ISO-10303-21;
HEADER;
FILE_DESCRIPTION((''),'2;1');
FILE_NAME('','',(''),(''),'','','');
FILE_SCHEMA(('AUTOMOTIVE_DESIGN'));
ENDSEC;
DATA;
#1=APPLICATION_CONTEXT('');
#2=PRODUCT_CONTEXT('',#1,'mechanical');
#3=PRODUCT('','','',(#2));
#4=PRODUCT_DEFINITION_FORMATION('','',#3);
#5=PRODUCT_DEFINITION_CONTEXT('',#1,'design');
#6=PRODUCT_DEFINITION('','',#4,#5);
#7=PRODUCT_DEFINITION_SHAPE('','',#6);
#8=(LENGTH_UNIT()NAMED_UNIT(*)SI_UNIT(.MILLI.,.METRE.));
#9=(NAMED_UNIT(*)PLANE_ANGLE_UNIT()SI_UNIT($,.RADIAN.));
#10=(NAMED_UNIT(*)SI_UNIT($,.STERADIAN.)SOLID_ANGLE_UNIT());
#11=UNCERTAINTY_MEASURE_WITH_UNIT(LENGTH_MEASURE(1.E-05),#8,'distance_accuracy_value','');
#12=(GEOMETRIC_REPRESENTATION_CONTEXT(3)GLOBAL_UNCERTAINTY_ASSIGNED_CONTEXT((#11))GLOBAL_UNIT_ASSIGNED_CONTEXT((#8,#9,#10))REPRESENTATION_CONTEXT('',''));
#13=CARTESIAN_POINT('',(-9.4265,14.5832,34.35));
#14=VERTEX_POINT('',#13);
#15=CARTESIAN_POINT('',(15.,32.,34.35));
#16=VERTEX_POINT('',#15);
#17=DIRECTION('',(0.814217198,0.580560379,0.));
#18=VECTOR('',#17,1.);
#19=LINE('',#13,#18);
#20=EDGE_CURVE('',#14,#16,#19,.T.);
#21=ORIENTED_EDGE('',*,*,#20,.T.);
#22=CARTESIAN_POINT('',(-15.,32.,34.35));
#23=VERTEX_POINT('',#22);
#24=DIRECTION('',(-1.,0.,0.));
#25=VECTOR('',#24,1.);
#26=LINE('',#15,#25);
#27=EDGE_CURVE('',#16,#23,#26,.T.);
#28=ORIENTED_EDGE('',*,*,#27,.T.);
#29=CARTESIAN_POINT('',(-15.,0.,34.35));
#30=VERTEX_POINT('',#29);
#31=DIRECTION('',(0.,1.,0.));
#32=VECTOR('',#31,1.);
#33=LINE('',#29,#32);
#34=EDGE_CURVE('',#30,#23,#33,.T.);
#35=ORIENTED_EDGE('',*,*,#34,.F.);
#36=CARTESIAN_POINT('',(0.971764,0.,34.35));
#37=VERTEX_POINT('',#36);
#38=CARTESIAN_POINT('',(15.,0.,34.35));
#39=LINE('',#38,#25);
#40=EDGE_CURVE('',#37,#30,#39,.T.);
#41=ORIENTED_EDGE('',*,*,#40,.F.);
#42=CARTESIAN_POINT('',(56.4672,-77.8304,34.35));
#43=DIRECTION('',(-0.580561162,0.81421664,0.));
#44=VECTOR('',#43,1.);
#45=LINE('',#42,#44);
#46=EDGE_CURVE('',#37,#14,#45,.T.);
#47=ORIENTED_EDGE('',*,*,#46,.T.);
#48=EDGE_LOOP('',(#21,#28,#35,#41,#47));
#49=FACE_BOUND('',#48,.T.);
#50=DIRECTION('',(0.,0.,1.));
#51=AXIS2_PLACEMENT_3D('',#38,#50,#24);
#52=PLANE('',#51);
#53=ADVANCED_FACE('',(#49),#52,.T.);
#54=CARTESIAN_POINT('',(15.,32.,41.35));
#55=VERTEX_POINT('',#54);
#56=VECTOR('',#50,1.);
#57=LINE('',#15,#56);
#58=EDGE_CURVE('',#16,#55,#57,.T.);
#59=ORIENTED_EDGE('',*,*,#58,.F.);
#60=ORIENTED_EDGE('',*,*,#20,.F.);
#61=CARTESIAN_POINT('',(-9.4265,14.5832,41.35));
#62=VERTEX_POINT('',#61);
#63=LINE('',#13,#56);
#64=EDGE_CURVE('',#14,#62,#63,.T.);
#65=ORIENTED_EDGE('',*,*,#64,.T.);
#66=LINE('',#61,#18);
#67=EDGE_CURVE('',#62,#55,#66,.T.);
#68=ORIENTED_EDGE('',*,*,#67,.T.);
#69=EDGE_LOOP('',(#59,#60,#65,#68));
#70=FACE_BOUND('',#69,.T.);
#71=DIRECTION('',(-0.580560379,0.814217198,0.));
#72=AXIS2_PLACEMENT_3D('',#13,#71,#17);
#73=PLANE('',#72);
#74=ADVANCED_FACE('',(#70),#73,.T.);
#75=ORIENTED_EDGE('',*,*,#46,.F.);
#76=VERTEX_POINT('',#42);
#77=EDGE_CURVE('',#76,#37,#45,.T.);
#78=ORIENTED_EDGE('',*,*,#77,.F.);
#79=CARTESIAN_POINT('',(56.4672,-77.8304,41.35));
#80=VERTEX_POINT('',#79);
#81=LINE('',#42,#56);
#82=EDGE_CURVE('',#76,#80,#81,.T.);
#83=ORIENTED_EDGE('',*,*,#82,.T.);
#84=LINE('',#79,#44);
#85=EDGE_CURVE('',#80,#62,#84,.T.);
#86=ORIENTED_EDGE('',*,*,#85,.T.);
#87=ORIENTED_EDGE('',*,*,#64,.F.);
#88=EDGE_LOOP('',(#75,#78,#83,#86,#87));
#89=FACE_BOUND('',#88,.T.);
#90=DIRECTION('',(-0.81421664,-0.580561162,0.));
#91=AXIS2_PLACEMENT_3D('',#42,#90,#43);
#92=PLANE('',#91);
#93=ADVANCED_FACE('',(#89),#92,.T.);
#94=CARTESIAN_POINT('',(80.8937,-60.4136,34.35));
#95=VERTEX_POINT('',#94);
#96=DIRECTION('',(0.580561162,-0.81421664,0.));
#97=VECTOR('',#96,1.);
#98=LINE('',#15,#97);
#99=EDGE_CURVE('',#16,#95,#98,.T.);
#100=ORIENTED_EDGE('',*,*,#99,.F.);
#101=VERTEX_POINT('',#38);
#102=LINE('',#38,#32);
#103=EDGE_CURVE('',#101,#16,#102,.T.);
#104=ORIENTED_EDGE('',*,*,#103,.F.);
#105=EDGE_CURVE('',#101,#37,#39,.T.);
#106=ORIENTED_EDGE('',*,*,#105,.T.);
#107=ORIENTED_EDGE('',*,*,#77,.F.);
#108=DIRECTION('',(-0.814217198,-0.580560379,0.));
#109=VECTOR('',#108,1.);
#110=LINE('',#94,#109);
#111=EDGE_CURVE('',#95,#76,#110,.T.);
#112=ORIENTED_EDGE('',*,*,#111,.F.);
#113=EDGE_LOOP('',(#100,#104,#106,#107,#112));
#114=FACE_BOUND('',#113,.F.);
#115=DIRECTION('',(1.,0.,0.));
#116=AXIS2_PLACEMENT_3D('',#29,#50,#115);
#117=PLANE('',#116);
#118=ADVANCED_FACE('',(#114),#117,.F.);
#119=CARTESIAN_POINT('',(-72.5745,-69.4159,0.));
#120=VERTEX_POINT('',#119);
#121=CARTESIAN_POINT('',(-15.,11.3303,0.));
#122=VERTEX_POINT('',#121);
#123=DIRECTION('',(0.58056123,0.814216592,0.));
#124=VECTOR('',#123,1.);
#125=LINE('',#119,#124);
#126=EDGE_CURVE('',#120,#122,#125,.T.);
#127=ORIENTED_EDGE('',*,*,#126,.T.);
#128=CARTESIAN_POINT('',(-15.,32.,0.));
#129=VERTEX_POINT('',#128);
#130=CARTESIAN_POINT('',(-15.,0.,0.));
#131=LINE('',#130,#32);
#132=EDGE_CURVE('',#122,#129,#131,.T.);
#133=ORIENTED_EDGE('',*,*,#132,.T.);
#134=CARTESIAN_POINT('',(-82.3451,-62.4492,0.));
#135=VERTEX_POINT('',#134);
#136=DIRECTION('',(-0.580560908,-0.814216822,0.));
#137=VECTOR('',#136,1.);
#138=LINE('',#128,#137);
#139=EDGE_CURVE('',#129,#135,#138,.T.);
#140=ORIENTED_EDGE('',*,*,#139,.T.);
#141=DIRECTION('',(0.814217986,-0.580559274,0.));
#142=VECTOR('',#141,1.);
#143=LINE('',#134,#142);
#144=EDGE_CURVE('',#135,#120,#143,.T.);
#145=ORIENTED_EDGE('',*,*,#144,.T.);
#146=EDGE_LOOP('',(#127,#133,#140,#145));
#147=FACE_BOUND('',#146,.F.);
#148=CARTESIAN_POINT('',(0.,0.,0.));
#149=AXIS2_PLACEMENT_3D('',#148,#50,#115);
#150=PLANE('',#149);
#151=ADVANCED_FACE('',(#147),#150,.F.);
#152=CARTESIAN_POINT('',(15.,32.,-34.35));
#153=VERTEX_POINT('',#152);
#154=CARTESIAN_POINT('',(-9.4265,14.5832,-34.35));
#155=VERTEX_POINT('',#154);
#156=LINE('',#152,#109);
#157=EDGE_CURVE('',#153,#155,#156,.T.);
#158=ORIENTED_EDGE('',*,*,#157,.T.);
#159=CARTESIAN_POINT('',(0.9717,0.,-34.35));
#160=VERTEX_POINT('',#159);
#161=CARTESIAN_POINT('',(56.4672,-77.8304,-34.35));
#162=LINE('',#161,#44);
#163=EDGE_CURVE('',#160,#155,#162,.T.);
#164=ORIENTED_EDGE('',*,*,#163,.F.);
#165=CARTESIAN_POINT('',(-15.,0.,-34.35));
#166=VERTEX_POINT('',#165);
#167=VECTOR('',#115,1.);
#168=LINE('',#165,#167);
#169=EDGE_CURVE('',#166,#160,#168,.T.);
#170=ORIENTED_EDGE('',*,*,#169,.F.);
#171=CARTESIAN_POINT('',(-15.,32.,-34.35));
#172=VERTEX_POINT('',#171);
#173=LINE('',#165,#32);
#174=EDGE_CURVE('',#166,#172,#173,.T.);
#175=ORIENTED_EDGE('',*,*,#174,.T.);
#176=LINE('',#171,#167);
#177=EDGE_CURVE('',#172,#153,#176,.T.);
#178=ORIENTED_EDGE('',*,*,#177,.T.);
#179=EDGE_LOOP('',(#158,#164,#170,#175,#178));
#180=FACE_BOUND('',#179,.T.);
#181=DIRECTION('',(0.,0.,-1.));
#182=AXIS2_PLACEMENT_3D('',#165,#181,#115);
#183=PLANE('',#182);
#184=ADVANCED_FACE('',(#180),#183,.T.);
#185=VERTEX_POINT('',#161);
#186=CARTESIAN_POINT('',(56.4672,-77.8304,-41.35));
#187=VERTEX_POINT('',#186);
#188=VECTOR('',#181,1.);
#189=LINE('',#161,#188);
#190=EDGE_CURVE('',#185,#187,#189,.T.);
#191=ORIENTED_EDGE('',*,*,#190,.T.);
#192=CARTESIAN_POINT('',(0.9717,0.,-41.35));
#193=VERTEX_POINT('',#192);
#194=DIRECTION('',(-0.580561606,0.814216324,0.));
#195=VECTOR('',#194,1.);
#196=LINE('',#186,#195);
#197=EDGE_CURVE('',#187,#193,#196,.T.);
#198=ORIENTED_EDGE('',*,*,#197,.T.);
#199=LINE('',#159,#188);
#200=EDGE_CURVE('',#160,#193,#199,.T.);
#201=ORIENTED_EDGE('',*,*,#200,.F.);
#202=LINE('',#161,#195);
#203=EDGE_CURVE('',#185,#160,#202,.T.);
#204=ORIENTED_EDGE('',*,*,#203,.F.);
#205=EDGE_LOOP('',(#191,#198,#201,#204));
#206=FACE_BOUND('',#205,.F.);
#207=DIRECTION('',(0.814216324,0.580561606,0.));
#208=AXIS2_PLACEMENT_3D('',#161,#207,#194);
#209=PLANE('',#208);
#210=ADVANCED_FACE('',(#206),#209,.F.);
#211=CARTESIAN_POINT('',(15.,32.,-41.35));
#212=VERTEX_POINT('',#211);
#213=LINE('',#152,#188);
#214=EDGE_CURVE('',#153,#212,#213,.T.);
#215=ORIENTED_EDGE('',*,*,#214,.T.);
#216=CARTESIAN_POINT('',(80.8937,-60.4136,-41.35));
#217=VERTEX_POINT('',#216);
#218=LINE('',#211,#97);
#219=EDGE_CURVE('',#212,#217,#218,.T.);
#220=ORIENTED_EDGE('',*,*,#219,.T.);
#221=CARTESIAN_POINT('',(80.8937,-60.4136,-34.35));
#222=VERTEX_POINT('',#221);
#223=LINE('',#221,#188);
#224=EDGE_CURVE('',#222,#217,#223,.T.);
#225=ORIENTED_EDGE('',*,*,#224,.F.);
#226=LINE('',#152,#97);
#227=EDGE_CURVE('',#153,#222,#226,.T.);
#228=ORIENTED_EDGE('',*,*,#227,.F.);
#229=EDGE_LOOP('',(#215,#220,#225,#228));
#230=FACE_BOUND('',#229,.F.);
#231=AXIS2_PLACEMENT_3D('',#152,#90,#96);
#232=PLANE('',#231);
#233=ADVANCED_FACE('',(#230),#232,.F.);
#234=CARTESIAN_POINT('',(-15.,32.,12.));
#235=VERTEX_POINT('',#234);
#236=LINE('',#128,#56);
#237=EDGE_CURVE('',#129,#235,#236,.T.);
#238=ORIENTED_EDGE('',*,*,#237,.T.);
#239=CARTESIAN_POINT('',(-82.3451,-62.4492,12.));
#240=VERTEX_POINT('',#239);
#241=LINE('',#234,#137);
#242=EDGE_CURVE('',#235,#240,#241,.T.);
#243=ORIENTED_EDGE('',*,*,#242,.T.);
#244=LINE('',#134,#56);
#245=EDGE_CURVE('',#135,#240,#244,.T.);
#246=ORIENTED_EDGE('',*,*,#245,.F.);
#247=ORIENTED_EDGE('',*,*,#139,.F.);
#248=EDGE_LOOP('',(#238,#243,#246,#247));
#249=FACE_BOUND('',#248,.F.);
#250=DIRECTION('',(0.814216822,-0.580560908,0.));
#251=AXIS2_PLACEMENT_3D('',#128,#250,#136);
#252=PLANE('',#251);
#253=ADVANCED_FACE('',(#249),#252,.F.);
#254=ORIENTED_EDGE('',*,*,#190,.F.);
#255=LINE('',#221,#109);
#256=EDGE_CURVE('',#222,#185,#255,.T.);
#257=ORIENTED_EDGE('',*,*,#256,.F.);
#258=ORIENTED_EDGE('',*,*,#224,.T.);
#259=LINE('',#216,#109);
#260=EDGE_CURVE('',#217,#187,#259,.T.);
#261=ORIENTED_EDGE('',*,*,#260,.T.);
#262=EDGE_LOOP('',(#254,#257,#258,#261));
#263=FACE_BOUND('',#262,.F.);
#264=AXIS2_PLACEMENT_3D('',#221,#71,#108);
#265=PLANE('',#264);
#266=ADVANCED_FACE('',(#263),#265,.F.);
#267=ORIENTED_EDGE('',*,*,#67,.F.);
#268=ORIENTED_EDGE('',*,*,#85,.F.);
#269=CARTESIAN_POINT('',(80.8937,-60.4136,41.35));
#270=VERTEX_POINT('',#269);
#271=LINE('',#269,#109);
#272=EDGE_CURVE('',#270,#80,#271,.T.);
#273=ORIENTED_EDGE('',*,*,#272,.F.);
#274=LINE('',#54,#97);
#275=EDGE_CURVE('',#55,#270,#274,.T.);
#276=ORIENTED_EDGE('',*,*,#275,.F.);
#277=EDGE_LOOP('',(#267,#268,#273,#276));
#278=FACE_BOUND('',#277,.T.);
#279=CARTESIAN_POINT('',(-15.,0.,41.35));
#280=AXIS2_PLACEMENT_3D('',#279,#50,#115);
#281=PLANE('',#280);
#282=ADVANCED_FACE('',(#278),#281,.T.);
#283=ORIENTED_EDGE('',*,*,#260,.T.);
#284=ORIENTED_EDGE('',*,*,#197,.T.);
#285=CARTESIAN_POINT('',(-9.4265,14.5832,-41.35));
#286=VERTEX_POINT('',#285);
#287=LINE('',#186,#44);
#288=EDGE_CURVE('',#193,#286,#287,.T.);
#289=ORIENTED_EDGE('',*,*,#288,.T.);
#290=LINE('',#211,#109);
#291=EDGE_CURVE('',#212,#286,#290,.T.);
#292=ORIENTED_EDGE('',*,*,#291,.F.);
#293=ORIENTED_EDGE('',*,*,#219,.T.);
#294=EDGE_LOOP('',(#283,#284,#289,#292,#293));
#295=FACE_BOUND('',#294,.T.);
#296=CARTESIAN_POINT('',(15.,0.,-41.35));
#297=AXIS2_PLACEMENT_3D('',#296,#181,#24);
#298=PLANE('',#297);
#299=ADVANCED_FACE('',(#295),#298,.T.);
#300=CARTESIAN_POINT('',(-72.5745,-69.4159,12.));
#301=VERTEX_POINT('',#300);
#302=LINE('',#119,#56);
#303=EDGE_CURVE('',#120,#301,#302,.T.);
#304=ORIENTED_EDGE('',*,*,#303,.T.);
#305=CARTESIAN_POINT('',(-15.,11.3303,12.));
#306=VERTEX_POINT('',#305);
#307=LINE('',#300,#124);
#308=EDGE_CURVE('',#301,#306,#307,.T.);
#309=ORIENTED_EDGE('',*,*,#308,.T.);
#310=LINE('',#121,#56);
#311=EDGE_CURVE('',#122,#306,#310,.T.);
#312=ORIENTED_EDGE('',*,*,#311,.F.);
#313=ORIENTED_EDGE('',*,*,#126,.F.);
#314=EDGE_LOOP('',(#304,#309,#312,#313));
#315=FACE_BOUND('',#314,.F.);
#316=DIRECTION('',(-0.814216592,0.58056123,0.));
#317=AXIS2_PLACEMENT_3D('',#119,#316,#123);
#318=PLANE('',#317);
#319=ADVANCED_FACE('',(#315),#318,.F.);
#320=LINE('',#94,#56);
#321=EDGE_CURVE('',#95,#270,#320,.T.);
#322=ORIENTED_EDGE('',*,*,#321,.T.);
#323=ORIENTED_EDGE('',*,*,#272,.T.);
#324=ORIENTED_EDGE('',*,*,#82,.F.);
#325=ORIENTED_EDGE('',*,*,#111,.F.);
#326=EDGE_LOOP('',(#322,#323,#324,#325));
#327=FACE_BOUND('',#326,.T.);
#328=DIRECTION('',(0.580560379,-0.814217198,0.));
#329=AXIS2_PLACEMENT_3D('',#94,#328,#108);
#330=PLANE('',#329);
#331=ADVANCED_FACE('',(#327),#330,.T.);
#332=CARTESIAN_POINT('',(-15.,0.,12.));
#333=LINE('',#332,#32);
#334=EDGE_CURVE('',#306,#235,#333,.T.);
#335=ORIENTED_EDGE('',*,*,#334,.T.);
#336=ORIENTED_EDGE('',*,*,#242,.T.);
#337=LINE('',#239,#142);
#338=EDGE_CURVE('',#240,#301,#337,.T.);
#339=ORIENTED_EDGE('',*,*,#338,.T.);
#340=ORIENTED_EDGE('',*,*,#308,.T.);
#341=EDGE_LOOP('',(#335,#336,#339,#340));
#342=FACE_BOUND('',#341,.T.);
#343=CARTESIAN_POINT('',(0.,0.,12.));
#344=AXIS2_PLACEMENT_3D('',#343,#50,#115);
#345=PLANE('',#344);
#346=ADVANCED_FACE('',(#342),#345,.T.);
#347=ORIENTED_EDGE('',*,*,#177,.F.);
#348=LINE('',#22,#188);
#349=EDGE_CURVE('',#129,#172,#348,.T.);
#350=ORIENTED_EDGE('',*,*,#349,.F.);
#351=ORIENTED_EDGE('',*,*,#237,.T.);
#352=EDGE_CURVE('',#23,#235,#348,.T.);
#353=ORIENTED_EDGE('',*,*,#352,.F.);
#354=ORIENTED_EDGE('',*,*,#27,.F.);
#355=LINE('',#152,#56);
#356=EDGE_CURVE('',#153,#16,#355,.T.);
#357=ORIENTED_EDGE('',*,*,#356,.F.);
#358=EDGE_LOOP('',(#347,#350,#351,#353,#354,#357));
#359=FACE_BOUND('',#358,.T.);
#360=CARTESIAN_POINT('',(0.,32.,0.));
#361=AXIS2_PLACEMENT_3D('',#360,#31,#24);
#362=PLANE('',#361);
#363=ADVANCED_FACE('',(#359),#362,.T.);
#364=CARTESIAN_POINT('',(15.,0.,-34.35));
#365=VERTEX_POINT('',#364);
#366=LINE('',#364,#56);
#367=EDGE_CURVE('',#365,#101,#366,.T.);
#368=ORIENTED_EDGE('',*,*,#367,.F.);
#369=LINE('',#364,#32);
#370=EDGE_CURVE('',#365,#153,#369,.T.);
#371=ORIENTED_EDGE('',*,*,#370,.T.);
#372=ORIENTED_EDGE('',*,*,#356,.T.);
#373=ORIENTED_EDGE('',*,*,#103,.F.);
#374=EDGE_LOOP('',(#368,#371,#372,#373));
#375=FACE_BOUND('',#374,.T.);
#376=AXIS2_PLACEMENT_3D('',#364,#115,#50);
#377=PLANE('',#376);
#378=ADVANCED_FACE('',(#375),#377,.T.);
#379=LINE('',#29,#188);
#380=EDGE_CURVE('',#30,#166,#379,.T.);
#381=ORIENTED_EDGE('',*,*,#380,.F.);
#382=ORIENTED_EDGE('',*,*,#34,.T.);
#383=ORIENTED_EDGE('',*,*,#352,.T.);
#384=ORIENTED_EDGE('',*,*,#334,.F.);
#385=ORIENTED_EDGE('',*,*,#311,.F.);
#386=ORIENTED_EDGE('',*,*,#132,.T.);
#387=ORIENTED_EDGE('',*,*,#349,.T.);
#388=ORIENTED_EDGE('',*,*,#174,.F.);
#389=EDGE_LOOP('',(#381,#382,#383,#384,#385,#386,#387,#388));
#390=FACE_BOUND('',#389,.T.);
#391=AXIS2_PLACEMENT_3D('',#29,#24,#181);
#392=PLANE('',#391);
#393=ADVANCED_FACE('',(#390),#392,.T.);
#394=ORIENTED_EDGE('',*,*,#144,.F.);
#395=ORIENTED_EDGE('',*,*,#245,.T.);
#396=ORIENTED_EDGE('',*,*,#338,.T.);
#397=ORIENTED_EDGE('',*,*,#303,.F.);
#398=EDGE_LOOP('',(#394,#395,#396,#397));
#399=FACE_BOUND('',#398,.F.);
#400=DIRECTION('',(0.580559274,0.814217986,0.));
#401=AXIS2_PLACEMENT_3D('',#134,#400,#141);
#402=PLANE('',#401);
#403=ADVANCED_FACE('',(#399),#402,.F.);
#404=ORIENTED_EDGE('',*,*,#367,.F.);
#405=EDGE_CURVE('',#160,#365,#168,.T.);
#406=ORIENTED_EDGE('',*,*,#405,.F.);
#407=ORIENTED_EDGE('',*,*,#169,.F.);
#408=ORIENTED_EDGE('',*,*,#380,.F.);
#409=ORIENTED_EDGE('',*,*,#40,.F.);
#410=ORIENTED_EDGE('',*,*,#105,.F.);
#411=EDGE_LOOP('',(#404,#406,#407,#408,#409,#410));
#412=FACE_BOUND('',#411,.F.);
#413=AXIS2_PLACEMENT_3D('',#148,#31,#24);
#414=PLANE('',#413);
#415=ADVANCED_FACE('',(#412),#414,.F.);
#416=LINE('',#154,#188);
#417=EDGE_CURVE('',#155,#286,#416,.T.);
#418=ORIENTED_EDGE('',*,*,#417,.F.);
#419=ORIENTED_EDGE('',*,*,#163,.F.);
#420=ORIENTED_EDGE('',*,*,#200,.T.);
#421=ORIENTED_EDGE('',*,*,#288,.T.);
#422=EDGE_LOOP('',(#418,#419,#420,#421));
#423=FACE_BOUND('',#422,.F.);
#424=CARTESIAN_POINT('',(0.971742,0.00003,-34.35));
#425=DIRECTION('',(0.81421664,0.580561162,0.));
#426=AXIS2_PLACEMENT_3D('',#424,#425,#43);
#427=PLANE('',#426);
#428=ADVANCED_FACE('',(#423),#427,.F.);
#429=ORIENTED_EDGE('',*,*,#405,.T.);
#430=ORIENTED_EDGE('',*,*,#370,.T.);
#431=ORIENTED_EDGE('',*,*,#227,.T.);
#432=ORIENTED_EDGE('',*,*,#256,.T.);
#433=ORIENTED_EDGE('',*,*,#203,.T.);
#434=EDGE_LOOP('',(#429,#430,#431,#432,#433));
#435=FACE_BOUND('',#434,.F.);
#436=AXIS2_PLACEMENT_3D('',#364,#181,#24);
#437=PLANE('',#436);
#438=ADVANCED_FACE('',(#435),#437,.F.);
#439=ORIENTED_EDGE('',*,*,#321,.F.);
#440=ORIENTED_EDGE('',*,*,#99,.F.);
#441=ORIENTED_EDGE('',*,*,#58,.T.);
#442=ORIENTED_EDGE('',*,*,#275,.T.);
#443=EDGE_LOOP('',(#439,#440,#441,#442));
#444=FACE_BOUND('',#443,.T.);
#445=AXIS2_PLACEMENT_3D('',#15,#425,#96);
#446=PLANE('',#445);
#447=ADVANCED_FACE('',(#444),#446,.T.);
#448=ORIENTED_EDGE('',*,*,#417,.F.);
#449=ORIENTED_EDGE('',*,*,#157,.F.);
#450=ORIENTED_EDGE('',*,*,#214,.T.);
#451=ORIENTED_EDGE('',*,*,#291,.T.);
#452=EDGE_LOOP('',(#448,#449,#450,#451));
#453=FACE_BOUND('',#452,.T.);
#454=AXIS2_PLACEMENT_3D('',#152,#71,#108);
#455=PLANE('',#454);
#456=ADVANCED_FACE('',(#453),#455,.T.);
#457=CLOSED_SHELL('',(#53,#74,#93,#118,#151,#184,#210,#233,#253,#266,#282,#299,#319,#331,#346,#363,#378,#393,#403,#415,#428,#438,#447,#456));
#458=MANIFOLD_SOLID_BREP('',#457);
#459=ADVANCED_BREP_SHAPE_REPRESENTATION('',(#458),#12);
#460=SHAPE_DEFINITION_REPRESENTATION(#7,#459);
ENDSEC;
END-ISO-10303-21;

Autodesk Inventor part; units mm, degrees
ref_plane "YZ Plane" through (0, 0, 0) normal (1, 0, 0) x (0, 1, 0)
ref_plane "XZ Plane" through (0, 0, 0) normal (0, 1, 0) x (-1, 0, 0)
ref_plane "XY Plane" through (0, 0, 0) normal (0, 0, 1) x (1, 0, 0)
sketch "Boceto1" plane through (0, 0, 0) normal (0, 1, 0) x (-1, 0, 0)
  line L0 (15, 34.35) -> (15, -34.35)
  line L1 (15, -34.35) -> (-15, -34.35)
  line L2 (-15, -34.35) -> (-15, 34.35)
  line L3 (-15, 34.35) -> (15, 34.35)
  line L4 (15, 34.35) -> (-15, -34.35) construction
  line L5 (15, -34.35) -> (-15, 34.35) construction
  point P0 (0, 0)
  dimension "d0" = 68.7
  dimension "d1" = 30
extrude "Extrusión1" add sketch "Boceto1" along normal blind 32
sketch "Boceto2" plane through (-15, 0, 34.35) normal (0, 0, 1) x (1, 0, 0)
  line L0 (0, 32) -> (30, 32) projected
  line L1 (30, 32) -> (95.8937, -60.4136)
  line L2 (30, 32) -> (143.5, 32) construction
  line L3 (95.8937, -60.4136) -> (71.4672, -77.8304)
  line L4 (71.4672, -77.8304) -> (5.5735, 14.5832)
  line L5 (5.5735, 14.5832) -> (30, 32)
  point P0 (15, 0)
  dimension "d4" = 113.5
  dimension "d5" = 54.51
  dimension "d6" = 30
  dimension "d7" = 90
extrude "Extrusión2" add sketch "Boceto2" along normal blind 7
sketch "Boceto3" plane through (15, 0, -34.35) normal (0, 0, -1) x (-1, 0, 0)
  line L0 (0, 32) -> (-65.8937, -60.4136) projected
  line L1 (-41.4672, -77.8304) -> (14.0283, 0) projected
  line L2 (-65.8937, -60.4136) -> (-41.4672, -77.8304) projected
  line L3 (0, 32) -> (24.4265, 14.5832) projected
  line L4 (0, 32) -> (-65.8937, -60.4136)
  line L5 (-41.4672, -77.8304) -> (-65.8937, -60.4136)
  line L6 (-41.4672, -77.8304) -> (24.4265, 14.5832)
  line L7 (24.4265, 14.5832) -> (0, 32)
  point P0 (15, 0)
extrude "Extrusión3" add sketch "Boceto3" along normal blind 7
sketch "Boceto4" plane through (0, 0, 0) normal (0, 0, 1) x (1, 0, 0)
  line L0 (15, 32) -> (-15, 32) projected
  line L1 (-15, 32) -> (-82.3451, -62.4492)
  line L2 (-15, 32) -> (101, 32) construction
  line L3 (-82.3451, -62.4492) -> (-72.5745, -69.4159)
  line L4 (-72.5745, -69.4159) -> (-15, 11.3303)
  line L5 (-15, 0) -> (-15, 32) projected
  line L6 (-15, 11.3303) -> (-15, 32)
  point P0 (0, 0)
  dimension "d12" = 116
  dimension "d13" = 125.49
  dimension "d14" = 12
extrude "Extrusión4" add sketch "Boceto4" along normal blind 12
properties part number "structure"
